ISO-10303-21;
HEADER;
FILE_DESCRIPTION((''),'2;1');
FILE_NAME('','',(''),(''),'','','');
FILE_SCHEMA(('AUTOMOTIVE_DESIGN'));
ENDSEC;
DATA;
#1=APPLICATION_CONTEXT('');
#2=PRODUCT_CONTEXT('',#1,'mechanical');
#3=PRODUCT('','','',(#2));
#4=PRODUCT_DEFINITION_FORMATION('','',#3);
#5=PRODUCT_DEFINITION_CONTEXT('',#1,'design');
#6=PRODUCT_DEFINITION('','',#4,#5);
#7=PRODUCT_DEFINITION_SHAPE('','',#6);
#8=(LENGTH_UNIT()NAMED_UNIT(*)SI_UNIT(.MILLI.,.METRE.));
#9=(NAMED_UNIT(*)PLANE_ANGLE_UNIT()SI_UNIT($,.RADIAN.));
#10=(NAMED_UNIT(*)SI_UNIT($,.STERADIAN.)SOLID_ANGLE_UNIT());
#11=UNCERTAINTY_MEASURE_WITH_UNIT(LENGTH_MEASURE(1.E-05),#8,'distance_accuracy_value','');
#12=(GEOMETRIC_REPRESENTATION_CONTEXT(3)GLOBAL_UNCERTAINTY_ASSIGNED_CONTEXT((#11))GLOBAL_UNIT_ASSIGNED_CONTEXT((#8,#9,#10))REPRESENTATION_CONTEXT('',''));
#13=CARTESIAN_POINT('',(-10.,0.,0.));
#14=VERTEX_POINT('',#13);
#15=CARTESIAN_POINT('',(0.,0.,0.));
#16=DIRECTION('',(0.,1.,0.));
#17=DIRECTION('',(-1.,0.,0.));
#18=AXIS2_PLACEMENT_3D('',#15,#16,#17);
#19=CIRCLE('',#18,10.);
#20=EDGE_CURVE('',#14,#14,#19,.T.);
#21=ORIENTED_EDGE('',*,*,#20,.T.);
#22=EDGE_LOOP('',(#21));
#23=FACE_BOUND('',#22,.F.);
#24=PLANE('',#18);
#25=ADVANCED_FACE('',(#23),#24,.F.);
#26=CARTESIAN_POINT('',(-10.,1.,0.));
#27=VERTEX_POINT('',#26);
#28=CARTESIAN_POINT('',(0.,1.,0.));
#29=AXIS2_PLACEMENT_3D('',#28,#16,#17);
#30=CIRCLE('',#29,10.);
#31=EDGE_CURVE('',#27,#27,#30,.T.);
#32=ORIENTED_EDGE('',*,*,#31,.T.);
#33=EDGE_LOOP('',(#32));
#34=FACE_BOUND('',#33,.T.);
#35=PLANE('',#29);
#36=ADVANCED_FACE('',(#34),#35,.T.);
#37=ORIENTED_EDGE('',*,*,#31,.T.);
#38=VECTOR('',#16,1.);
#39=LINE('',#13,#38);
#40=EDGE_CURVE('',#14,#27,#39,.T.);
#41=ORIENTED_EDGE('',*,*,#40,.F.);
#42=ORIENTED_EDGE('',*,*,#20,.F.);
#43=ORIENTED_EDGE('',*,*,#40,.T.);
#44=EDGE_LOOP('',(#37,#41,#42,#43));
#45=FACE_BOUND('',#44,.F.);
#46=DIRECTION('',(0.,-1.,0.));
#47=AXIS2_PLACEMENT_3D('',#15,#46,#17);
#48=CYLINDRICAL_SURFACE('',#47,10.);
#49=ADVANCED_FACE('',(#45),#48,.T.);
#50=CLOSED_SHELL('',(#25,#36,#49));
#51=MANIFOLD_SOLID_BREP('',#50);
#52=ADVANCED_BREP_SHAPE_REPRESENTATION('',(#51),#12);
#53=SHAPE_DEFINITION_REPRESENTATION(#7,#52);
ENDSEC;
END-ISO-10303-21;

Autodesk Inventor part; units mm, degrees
ref_plane "YZ Plane" through (0, 0, 0) normal (1, 0, 0) x (0, 1, 0)
ref_plane "XZ Plane" through (0, 0, 0) normal (0, 1, 0) x (-1, 0, 0)
ref_plane "XY Plane" through (0, 0, 0) normal (0, 0, 1) x (1, 0, 0)
sketch "Skizze1" plane through (0, 0, 0) normal (0, 1, 0) x (-1, 0, 0)
  circle A0 centre (0, 0) radius 10
  dimension "d2" = 1
  dimension "d4" = 20
extrude "Extrusion1" add sketch "Skizze1" along normal blind 1
